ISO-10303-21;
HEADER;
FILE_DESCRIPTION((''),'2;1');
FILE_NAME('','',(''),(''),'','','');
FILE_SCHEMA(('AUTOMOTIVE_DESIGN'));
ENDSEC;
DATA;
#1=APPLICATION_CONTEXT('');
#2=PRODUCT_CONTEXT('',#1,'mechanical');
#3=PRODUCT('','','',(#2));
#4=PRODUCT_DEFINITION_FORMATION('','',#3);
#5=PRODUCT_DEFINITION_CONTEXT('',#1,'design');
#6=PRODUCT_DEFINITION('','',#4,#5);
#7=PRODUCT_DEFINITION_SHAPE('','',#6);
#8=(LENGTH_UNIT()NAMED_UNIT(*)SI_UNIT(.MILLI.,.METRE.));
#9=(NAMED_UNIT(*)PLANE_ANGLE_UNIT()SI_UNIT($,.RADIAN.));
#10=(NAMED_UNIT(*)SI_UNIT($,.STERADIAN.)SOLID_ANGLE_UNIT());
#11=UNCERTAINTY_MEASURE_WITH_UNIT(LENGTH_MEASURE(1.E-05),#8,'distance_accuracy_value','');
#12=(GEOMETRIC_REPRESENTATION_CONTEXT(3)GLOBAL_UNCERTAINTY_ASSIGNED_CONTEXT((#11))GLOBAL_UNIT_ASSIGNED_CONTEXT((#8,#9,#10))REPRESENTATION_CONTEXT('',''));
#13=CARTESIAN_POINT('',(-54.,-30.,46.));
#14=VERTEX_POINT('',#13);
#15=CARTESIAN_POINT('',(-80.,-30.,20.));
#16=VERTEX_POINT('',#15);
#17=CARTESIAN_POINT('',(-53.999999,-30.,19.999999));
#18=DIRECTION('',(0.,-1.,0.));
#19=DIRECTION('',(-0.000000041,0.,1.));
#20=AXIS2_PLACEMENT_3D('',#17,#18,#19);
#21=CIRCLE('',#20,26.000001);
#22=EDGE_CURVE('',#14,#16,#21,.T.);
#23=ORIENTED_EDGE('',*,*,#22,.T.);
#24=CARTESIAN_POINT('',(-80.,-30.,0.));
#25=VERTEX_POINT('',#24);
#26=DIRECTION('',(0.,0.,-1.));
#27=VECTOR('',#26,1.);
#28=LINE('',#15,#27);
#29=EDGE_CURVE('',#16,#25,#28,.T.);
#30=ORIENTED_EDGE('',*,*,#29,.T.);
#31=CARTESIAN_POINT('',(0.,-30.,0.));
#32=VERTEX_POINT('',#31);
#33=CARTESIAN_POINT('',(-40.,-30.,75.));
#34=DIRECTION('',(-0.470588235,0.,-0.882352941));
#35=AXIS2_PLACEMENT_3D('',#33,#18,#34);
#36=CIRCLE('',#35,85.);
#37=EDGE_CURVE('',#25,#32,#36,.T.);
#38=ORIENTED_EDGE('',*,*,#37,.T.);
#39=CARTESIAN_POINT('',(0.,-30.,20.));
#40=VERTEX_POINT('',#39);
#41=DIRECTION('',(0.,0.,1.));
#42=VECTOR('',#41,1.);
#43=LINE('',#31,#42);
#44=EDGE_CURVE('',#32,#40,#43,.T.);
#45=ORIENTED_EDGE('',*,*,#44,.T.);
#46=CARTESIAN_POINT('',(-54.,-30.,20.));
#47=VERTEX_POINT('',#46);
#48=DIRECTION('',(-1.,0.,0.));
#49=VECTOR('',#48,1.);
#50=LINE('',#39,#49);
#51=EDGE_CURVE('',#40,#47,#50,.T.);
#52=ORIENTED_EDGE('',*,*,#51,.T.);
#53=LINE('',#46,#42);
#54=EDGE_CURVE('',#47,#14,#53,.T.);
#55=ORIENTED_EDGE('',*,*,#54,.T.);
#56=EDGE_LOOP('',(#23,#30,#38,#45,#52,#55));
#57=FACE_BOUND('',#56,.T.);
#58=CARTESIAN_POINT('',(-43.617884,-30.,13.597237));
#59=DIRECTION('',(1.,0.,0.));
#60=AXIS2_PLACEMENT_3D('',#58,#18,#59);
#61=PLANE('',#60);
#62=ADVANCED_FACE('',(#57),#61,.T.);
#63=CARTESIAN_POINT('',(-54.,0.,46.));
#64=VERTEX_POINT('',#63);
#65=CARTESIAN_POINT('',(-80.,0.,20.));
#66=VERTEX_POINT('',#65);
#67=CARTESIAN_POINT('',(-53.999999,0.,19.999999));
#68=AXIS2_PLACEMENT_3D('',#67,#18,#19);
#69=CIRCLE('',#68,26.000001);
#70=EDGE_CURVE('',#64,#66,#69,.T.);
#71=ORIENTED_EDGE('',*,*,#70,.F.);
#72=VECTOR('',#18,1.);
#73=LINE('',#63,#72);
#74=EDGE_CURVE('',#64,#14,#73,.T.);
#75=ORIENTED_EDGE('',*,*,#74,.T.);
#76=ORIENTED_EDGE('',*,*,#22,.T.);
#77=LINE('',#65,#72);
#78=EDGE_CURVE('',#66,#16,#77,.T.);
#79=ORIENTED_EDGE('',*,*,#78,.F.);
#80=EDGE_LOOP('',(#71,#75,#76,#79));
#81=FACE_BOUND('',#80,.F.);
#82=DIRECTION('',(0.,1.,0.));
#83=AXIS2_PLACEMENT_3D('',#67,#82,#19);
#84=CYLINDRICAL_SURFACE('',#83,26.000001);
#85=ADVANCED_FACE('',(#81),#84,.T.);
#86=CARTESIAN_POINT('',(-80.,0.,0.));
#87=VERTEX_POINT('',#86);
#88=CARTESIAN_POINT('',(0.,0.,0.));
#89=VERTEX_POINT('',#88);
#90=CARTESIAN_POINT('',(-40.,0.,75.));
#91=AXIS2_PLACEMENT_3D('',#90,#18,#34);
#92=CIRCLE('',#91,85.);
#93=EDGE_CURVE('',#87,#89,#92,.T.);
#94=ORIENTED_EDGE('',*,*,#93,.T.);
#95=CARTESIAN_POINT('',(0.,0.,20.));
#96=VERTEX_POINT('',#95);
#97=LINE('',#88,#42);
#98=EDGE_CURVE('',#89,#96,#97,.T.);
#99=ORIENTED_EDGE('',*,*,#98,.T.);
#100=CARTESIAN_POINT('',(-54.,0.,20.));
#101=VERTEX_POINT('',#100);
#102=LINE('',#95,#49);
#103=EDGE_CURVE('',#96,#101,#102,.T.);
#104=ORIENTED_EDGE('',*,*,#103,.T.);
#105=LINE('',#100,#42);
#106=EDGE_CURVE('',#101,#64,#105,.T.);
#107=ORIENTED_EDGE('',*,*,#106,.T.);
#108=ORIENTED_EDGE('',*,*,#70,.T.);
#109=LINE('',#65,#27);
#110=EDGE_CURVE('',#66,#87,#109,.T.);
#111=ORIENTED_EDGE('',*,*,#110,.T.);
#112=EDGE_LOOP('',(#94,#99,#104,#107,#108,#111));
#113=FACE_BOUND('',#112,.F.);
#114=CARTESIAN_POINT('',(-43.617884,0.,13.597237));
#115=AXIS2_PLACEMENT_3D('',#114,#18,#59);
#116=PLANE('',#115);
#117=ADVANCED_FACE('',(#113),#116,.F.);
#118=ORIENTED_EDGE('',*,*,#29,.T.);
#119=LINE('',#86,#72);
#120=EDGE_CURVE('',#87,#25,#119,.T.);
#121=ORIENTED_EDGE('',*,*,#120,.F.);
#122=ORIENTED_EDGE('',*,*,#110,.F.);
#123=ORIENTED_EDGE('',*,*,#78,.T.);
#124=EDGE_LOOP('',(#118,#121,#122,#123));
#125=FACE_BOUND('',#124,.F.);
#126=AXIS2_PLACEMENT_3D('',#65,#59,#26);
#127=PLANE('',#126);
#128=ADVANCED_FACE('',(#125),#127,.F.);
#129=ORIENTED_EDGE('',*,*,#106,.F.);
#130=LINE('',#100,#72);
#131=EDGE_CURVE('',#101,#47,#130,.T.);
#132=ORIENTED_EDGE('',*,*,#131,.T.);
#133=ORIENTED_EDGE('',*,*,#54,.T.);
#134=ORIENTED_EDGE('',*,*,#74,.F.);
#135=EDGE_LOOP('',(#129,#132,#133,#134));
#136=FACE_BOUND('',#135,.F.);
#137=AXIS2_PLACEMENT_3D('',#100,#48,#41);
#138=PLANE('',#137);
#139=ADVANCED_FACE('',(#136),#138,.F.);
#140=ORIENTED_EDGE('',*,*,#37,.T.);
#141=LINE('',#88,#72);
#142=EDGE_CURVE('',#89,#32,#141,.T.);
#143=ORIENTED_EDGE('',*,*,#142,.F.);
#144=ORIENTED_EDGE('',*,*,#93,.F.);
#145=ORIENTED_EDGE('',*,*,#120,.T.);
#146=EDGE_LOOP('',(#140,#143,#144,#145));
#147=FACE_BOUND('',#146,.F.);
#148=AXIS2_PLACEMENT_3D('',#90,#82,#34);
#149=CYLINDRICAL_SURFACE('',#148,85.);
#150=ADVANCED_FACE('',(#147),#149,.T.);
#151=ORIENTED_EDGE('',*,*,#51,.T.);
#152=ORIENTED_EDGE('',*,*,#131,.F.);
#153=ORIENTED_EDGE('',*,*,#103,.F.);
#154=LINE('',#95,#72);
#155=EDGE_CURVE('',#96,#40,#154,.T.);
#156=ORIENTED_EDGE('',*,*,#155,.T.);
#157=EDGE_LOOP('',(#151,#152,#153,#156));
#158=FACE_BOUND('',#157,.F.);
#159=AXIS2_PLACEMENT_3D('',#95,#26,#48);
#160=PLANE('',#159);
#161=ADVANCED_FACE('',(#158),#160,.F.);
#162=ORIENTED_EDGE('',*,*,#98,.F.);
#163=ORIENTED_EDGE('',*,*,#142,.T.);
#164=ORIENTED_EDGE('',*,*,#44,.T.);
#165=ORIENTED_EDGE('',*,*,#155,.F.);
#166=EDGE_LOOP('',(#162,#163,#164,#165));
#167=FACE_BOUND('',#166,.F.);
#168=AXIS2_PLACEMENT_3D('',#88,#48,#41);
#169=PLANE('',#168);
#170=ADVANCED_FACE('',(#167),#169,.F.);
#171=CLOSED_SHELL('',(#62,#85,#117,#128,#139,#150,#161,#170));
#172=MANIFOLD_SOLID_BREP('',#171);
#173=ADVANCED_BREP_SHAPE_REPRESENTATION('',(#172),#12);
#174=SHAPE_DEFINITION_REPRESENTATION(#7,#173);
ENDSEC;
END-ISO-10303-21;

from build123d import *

# Parameters (mm, degrees)
F1_DEPTH = 30


with BuildPart() as f1:
    # F0 (on Front) → F1 (new body)
    with BuildSketch(Plane.XZ):
        with BuildLine():
            Line((-54, 20), (-54, 46))
            ThreePointArc((-54, 46), (-72.384776, 38.384776), (-80, 20))
            Line((-80, 20), (-80, 0))
            ThreePointArc((-80, 0), (-40, -10), (0, 0))
            Line((0, 0), (0, 20))
            Line((0, 20), (-54, 20))
        make_face()
    extrude(amount=F1_DEPTH)


solid = f1.part
